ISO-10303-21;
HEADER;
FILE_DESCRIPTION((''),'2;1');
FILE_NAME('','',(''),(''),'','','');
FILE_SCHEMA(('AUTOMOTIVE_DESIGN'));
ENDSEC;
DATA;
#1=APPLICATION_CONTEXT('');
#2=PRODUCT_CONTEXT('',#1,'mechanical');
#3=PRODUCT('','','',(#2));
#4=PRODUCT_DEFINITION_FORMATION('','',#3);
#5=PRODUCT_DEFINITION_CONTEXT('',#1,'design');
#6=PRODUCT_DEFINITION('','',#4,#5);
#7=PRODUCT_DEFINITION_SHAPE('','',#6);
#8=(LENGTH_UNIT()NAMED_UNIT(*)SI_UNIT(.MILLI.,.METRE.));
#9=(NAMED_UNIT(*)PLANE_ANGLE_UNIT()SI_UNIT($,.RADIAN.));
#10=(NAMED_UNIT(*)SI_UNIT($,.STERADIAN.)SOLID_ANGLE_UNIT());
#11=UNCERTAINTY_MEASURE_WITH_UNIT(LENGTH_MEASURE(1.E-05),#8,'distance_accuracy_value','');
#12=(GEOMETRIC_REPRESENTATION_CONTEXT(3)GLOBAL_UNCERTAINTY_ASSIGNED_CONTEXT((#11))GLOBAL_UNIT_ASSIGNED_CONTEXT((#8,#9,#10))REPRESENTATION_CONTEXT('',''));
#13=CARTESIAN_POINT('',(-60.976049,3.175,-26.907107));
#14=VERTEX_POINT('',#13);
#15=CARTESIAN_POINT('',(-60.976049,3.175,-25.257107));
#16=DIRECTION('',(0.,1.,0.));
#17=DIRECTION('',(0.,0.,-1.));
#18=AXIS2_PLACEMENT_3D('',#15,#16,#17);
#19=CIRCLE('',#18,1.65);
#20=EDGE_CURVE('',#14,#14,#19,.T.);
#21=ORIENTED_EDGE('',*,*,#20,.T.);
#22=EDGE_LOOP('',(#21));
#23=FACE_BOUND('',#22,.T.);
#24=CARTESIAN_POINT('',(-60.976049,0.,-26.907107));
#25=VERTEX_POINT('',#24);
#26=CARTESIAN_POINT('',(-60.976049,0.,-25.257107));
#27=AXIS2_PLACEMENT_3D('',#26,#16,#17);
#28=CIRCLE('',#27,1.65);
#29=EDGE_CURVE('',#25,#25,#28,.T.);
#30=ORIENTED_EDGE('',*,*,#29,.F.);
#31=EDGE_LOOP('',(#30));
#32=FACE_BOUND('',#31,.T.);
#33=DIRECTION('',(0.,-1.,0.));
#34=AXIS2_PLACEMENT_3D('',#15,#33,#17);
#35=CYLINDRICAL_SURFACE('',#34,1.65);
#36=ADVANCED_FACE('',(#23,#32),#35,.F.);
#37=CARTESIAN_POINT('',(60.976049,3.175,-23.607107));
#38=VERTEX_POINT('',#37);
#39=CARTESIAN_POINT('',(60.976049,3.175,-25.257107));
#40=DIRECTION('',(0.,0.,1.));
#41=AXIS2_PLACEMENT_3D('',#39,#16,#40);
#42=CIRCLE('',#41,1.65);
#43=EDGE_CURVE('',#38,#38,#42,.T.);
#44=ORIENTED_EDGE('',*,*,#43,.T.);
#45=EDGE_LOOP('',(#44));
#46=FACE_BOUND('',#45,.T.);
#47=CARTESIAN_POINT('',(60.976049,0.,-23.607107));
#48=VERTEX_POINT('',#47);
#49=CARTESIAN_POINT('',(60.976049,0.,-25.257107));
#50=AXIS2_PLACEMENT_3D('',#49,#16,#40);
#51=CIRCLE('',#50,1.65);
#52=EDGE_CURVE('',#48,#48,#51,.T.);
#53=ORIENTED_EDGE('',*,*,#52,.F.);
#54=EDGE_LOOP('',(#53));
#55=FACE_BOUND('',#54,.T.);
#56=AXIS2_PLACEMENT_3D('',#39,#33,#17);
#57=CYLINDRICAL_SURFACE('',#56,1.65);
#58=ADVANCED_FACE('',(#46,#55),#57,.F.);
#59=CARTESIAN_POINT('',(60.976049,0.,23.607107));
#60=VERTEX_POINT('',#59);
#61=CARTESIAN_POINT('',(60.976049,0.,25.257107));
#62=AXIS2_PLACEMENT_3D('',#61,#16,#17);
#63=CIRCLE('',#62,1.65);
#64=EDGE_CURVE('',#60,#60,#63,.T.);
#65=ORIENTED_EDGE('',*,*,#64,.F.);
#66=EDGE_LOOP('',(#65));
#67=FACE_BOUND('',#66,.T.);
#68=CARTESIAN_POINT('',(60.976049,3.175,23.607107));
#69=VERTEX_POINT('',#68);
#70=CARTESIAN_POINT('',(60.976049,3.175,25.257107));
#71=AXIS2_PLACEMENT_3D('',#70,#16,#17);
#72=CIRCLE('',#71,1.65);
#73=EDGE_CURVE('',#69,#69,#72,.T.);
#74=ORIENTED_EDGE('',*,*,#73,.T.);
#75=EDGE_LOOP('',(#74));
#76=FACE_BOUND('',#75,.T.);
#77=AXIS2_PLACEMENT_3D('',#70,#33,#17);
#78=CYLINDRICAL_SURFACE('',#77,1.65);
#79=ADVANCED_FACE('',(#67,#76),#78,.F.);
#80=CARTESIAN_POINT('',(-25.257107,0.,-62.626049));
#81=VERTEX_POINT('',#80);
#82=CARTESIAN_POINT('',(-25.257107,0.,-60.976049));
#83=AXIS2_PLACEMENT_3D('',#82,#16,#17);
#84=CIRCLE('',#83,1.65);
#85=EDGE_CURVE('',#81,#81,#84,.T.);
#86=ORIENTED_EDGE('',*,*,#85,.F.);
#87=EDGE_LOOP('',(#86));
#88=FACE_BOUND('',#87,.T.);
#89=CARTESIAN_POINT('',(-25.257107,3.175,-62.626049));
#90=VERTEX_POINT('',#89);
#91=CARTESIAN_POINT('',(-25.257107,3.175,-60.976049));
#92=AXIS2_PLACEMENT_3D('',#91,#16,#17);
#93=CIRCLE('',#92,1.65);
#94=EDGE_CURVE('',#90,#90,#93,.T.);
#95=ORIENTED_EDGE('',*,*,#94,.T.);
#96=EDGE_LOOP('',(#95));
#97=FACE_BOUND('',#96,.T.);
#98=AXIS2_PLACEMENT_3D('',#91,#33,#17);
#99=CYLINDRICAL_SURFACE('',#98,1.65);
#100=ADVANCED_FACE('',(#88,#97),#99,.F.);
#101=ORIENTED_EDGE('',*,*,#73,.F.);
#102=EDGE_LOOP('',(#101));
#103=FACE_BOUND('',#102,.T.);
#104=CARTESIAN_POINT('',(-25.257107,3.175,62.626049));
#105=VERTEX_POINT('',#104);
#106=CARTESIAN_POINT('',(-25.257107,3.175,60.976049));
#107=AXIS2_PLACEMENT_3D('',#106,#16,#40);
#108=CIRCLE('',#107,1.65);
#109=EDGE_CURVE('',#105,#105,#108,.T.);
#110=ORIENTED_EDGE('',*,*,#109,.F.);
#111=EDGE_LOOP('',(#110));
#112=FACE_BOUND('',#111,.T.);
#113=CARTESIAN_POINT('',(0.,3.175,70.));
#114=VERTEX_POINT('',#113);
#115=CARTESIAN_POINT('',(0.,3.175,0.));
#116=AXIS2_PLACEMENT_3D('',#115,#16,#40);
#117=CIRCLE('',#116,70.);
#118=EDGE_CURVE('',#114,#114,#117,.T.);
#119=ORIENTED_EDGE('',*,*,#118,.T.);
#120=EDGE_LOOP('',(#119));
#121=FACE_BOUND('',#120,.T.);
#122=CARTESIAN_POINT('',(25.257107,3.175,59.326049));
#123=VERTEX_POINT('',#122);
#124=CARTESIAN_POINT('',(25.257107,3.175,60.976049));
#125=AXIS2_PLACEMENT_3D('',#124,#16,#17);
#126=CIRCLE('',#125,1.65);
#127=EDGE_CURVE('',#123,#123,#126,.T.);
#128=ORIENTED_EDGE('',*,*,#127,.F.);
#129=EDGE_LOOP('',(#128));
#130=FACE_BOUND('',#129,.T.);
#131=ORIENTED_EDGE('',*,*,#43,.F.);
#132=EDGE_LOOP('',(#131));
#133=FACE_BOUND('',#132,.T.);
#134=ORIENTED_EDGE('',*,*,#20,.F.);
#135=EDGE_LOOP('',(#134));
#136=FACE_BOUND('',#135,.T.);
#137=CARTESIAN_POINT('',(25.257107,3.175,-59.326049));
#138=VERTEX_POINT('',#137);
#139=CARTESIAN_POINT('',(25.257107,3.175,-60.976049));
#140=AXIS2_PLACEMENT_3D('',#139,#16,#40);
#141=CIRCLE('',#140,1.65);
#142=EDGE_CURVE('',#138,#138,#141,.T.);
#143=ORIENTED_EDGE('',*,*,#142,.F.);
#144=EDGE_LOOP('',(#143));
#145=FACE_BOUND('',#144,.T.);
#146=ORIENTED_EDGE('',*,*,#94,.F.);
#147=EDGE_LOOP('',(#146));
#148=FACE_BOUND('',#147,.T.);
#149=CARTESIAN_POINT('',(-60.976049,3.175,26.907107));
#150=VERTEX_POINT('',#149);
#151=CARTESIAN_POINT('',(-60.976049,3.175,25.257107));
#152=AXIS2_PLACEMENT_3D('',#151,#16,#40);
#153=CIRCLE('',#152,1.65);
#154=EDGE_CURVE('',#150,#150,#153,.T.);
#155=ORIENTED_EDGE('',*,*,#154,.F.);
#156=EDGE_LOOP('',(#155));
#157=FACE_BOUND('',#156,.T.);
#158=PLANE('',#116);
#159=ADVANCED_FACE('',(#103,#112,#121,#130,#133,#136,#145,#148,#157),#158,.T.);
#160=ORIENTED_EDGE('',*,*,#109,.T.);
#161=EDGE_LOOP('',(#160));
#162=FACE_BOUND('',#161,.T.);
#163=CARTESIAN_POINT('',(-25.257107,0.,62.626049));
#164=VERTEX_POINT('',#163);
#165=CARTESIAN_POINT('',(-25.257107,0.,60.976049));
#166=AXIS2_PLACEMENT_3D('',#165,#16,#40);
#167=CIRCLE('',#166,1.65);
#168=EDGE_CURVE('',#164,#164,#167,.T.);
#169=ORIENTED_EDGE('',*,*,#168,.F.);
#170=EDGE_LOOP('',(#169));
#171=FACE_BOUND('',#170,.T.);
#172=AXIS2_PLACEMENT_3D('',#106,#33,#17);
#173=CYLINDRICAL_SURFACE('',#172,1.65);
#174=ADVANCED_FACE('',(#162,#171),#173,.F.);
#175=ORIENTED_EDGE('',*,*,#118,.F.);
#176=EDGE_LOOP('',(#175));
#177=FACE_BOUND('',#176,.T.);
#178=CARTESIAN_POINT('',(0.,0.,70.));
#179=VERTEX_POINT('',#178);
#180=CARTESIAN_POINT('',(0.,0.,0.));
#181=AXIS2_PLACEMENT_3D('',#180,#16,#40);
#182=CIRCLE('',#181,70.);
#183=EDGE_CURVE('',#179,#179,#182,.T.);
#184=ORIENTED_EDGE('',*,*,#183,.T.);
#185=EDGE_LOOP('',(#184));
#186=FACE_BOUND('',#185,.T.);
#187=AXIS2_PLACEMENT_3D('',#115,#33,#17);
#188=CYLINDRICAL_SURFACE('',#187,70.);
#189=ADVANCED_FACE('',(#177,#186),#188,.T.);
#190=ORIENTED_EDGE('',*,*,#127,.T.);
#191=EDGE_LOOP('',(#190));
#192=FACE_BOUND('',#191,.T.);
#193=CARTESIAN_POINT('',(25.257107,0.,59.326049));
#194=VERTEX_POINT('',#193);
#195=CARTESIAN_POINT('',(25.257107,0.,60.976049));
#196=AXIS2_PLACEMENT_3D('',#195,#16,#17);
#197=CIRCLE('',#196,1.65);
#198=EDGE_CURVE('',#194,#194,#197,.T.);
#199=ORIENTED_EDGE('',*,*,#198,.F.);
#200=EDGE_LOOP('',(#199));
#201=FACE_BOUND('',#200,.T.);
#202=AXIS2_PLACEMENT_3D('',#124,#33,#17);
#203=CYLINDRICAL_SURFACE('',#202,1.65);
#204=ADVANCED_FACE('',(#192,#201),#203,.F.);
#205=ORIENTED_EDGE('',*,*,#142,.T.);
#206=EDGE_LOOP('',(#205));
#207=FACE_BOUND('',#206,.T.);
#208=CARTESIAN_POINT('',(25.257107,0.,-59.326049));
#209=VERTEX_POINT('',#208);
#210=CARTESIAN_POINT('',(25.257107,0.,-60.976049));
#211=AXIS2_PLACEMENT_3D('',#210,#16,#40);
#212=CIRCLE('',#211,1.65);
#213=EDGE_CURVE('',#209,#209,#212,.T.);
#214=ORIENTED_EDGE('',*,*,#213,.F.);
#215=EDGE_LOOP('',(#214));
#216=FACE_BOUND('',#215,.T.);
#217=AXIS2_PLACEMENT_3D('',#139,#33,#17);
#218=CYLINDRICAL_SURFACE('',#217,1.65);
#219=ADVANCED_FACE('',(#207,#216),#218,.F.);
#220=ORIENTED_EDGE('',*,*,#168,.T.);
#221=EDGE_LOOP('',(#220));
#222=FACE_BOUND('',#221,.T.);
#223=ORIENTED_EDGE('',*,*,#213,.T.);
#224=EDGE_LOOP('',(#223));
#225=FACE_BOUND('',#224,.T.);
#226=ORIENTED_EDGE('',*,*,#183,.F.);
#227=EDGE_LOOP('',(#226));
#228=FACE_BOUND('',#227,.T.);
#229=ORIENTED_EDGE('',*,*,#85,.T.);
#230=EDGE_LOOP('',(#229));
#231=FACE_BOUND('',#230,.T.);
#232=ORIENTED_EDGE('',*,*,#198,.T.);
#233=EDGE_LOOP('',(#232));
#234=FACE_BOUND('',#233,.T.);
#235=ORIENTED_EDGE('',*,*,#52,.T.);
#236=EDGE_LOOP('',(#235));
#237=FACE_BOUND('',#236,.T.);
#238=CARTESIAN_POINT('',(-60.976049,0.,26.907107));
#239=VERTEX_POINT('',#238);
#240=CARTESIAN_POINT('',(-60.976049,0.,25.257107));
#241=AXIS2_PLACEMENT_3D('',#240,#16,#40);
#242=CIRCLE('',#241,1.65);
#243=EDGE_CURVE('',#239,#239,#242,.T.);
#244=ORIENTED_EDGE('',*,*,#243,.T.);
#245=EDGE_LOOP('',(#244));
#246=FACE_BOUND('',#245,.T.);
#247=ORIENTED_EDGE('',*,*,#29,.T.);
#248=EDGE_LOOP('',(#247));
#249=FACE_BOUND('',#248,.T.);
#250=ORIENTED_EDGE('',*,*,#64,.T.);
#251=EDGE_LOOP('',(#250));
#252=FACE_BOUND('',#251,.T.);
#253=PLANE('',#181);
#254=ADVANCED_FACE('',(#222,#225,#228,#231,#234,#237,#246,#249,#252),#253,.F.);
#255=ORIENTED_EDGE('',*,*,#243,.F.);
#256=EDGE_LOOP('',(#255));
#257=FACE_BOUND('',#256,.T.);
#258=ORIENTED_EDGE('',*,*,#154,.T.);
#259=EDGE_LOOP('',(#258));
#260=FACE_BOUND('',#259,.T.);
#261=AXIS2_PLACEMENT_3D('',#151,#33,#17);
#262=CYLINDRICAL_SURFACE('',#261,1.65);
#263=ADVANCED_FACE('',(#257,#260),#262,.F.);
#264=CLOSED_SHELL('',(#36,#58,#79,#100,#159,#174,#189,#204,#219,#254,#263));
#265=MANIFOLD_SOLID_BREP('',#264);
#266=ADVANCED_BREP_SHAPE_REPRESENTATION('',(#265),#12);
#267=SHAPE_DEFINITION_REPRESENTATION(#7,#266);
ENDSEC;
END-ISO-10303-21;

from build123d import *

# Parameters (mm, degrees)
BASE_W_MOTOR_MOUNTS_R  = 70
BOSS_EXTRUDE1_DEPTH    = 3.175
STANDOFFS_TOP_BOTTOM_R = 1.65
CUT_EXTRUDE2_DEPTH     = 3.175


with BuildPart() as part:
    # Base w/ Motor Mounts → Boss-Extrude1 (new body)
    with BuildSketch(Plane(origin=(0, 0, 0), x_dir=(1, 0, 0), z_dir=(0, 1, 0))):
        Circle(BASE_W_MOTOR_MOUNTS_R)
    extrude(amount=BOSS_EXTRUDE1_DEPTH)

    # Standoffs (top / bottom) → Cut-Extrude2 (cut)
    with BuildSketch(Plane(origin=(0, 0, 0), x_dir=(1, 0, 0), z_dir=(0, 1, 0))):
        with Locations((25.257106536, 60.976049146)):
            Circle(STANDOFFS_TOP_BOTTOM_R)
        with Locations((60.976049146, 25.257106536)):
            Circle(STANDOFFS_TOP_BOTTOM_R)
        with Locations((60.976049146, -25.257106536)):
            Circle(STANDOFFS_TOP_BOTTOM_R)
        with Locations((25.257106536, -60.976049146)):
            Circle(STANDOFFS_TOP_BOTTOM_R)
        with Locations((-25.257106536, -60.976049146)):
            Circle(STANDOFFS_TOP_BOTTOM_R)
        with Locations((-60.976049146, -25.257106536)):
            Circle(STANDOFFS_TOP_BOTTOM_R)
        with Locations((-60.976049146, 25.257106536)):
            Circle(STANDOFFS_TOP_BOTTOM_R)
        with Locations((-25.257106536, 60.976049146)):
            Circle(STANDOFFS_TOP_BOTTOM_R)
    extrude(amount=CUT_EXTRUDE2_DEPTH, mode=Mode.SUBTRACT)


solid = part.part
